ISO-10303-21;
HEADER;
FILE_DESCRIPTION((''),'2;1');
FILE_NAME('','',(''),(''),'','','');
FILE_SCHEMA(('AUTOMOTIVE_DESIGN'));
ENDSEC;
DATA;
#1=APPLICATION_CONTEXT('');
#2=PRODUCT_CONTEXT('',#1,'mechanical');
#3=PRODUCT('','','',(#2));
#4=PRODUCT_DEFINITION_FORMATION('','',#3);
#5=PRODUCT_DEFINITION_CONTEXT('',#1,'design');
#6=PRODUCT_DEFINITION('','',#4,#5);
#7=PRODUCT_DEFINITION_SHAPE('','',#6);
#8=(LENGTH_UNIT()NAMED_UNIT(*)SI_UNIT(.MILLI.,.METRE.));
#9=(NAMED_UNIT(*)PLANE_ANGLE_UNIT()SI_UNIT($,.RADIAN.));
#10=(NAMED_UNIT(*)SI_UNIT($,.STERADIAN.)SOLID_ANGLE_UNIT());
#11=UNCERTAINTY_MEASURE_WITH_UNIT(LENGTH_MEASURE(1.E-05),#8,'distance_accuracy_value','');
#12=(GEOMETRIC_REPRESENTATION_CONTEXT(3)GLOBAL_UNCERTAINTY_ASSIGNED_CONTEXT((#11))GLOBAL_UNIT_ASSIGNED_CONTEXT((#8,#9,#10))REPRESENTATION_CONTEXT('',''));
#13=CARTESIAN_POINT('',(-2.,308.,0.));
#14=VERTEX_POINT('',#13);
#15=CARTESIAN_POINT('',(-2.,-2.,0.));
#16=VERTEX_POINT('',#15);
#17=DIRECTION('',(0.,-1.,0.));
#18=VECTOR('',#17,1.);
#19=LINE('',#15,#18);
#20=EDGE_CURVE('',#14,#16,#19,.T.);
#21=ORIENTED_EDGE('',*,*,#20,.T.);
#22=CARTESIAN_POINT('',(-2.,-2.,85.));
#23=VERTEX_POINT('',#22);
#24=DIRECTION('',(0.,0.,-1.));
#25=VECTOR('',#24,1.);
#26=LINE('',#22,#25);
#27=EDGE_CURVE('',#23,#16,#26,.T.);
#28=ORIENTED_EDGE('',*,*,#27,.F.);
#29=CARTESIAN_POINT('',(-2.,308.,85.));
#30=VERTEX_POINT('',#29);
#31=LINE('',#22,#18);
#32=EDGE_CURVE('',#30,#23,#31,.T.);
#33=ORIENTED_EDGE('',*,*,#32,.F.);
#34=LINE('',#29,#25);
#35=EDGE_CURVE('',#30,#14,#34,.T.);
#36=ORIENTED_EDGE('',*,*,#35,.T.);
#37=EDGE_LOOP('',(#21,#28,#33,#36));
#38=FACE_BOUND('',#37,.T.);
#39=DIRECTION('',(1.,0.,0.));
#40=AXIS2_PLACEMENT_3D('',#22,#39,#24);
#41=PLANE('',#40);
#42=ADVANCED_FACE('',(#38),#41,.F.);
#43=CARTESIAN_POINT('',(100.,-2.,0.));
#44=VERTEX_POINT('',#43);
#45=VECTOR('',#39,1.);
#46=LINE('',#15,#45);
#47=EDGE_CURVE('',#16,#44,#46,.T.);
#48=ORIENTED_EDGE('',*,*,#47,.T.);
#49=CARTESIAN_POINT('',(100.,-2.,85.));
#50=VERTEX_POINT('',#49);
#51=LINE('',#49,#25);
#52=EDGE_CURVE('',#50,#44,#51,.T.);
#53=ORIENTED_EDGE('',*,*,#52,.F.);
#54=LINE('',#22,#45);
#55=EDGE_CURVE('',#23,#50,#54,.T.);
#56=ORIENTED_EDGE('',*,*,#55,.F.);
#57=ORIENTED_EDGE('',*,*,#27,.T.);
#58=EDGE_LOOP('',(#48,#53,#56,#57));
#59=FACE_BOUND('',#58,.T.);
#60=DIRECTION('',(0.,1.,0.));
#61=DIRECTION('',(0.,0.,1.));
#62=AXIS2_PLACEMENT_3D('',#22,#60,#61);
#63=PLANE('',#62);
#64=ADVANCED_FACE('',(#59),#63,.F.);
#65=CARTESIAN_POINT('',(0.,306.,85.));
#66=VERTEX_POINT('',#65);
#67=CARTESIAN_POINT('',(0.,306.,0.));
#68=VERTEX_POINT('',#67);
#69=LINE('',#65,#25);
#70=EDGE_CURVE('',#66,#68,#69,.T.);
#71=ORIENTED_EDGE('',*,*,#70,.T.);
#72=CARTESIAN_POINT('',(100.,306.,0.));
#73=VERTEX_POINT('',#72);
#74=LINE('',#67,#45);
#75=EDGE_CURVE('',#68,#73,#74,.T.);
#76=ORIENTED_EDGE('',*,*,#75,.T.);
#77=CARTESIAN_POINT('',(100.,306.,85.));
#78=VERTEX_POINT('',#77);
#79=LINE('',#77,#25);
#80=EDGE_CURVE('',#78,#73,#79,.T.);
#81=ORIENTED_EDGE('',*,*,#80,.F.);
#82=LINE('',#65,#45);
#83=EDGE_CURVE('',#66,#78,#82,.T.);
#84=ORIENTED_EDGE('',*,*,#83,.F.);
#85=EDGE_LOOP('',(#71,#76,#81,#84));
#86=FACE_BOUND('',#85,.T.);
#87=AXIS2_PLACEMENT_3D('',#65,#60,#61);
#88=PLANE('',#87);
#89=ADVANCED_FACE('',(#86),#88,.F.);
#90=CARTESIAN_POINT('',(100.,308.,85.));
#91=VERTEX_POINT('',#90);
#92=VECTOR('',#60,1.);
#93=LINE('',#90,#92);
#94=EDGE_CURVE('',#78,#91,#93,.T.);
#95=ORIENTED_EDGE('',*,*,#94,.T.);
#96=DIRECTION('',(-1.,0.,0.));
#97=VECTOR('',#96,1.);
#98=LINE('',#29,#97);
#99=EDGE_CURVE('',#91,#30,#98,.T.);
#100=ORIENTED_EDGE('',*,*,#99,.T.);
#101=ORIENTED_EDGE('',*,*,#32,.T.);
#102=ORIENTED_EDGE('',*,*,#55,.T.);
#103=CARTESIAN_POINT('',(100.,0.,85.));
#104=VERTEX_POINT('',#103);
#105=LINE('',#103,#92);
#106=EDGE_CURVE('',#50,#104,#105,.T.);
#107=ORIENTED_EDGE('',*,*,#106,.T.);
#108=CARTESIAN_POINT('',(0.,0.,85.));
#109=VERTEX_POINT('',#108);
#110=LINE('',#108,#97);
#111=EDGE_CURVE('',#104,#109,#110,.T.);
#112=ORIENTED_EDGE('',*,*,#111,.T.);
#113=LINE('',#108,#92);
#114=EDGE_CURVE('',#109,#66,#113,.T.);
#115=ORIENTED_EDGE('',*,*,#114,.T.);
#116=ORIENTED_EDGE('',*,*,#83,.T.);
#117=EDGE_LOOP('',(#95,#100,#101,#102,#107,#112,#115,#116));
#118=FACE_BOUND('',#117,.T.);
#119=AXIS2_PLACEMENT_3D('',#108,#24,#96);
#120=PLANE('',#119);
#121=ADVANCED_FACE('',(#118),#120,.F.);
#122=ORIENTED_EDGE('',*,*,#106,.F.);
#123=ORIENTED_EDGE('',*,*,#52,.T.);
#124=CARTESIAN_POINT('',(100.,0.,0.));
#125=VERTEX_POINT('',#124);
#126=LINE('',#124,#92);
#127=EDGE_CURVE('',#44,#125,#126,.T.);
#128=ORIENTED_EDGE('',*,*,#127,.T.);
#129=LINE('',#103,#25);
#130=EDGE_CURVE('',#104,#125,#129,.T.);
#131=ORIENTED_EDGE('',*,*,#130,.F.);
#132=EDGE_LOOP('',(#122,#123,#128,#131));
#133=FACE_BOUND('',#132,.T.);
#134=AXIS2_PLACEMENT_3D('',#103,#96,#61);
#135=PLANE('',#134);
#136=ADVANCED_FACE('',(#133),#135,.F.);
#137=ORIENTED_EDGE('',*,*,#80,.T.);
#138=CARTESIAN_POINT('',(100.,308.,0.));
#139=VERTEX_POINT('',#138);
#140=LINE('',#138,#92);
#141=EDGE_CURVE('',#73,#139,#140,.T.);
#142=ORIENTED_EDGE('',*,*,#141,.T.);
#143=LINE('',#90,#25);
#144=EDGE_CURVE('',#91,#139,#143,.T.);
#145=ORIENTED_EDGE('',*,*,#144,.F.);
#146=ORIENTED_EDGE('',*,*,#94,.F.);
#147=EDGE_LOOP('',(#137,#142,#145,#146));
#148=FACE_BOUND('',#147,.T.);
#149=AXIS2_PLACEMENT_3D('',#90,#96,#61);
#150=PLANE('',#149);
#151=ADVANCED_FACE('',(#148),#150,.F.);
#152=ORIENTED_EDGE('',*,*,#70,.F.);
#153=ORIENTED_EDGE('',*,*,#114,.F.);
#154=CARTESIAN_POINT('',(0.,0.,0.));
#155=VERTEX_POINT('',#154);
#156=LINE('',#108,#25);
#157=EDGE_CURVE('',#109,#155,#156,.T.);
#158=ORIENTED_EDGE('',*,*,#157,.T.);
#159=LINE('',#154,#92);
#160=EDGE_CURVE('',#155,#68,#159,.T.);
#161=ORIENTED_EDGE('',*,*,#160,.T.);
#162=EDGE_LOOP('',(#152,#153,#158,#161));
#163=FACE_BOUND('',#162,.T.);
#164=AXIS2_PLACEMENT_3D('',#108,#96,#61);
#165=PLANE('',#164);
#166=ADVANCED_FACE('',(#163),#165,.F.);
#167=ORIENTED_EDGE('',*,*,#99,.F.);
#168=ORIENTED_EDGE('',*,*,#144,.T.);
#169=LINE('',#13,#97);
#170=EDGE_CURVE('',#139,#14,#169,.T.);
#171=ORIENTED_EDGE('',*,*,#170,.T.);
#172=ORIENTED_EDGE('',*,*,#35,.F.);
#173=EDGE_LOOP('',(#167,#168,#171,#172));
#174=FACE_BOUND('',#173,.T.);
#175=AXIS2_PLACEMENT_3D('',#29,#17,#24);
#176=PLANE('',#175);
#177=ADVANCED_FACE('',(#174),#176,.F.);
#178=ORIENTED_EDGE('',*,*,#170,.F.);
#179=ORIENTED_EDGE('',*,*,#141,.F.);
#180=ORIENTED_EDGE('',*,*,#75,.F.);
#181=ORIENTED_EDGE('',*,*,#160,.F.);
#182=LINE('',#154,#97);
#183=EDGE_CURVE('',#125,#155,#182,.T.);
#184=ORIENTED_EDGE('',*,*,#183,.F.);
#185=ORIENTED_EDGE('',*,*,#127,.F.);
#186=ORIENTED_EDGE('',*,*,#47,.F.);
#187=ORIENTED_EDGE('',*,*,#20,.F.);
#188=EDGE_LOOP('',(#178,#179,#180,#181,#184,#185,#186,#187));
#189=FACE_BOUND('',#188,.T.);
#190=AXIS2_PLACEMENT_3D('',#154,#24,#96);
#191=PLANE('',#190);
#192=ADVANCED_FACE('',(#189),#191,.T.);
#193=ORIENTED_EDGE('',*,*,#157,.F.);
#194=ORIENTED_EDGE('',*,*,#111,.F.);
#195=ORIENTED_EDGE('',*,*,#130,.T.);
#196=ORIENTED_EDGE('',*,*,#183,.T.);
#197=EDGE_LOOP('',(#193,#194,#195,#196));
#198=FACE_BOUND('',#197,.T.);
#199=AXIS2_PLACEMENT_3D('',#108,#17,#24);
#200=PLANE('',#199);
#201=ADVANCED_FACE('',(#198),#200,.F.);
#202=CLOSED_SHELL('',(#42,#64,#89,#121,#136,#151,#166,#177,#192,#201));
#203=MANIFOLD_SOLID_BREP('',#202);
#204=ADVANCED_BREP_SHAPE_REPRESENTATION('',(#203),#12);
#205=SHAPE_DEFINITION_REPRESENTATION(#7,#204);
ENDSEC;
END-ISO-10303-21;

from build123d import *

# Parameters (mm, degrees)
BOSS_EXTRUDE1_DEPTH = 85


with BuildPart() as part:
    # Sketch1 → Boss-Extrude1 (new body)
    with BuildSketch(Plane.XY):
        Polygon((0, 0), (0, 306), (100, 306), (100, 308), (-2, 308), (-2, -2), (100, -2), (100, 0), align=None)
    extrude(amount=BOSS_EXTRUDE1_DEPTH)


solid = part.part
